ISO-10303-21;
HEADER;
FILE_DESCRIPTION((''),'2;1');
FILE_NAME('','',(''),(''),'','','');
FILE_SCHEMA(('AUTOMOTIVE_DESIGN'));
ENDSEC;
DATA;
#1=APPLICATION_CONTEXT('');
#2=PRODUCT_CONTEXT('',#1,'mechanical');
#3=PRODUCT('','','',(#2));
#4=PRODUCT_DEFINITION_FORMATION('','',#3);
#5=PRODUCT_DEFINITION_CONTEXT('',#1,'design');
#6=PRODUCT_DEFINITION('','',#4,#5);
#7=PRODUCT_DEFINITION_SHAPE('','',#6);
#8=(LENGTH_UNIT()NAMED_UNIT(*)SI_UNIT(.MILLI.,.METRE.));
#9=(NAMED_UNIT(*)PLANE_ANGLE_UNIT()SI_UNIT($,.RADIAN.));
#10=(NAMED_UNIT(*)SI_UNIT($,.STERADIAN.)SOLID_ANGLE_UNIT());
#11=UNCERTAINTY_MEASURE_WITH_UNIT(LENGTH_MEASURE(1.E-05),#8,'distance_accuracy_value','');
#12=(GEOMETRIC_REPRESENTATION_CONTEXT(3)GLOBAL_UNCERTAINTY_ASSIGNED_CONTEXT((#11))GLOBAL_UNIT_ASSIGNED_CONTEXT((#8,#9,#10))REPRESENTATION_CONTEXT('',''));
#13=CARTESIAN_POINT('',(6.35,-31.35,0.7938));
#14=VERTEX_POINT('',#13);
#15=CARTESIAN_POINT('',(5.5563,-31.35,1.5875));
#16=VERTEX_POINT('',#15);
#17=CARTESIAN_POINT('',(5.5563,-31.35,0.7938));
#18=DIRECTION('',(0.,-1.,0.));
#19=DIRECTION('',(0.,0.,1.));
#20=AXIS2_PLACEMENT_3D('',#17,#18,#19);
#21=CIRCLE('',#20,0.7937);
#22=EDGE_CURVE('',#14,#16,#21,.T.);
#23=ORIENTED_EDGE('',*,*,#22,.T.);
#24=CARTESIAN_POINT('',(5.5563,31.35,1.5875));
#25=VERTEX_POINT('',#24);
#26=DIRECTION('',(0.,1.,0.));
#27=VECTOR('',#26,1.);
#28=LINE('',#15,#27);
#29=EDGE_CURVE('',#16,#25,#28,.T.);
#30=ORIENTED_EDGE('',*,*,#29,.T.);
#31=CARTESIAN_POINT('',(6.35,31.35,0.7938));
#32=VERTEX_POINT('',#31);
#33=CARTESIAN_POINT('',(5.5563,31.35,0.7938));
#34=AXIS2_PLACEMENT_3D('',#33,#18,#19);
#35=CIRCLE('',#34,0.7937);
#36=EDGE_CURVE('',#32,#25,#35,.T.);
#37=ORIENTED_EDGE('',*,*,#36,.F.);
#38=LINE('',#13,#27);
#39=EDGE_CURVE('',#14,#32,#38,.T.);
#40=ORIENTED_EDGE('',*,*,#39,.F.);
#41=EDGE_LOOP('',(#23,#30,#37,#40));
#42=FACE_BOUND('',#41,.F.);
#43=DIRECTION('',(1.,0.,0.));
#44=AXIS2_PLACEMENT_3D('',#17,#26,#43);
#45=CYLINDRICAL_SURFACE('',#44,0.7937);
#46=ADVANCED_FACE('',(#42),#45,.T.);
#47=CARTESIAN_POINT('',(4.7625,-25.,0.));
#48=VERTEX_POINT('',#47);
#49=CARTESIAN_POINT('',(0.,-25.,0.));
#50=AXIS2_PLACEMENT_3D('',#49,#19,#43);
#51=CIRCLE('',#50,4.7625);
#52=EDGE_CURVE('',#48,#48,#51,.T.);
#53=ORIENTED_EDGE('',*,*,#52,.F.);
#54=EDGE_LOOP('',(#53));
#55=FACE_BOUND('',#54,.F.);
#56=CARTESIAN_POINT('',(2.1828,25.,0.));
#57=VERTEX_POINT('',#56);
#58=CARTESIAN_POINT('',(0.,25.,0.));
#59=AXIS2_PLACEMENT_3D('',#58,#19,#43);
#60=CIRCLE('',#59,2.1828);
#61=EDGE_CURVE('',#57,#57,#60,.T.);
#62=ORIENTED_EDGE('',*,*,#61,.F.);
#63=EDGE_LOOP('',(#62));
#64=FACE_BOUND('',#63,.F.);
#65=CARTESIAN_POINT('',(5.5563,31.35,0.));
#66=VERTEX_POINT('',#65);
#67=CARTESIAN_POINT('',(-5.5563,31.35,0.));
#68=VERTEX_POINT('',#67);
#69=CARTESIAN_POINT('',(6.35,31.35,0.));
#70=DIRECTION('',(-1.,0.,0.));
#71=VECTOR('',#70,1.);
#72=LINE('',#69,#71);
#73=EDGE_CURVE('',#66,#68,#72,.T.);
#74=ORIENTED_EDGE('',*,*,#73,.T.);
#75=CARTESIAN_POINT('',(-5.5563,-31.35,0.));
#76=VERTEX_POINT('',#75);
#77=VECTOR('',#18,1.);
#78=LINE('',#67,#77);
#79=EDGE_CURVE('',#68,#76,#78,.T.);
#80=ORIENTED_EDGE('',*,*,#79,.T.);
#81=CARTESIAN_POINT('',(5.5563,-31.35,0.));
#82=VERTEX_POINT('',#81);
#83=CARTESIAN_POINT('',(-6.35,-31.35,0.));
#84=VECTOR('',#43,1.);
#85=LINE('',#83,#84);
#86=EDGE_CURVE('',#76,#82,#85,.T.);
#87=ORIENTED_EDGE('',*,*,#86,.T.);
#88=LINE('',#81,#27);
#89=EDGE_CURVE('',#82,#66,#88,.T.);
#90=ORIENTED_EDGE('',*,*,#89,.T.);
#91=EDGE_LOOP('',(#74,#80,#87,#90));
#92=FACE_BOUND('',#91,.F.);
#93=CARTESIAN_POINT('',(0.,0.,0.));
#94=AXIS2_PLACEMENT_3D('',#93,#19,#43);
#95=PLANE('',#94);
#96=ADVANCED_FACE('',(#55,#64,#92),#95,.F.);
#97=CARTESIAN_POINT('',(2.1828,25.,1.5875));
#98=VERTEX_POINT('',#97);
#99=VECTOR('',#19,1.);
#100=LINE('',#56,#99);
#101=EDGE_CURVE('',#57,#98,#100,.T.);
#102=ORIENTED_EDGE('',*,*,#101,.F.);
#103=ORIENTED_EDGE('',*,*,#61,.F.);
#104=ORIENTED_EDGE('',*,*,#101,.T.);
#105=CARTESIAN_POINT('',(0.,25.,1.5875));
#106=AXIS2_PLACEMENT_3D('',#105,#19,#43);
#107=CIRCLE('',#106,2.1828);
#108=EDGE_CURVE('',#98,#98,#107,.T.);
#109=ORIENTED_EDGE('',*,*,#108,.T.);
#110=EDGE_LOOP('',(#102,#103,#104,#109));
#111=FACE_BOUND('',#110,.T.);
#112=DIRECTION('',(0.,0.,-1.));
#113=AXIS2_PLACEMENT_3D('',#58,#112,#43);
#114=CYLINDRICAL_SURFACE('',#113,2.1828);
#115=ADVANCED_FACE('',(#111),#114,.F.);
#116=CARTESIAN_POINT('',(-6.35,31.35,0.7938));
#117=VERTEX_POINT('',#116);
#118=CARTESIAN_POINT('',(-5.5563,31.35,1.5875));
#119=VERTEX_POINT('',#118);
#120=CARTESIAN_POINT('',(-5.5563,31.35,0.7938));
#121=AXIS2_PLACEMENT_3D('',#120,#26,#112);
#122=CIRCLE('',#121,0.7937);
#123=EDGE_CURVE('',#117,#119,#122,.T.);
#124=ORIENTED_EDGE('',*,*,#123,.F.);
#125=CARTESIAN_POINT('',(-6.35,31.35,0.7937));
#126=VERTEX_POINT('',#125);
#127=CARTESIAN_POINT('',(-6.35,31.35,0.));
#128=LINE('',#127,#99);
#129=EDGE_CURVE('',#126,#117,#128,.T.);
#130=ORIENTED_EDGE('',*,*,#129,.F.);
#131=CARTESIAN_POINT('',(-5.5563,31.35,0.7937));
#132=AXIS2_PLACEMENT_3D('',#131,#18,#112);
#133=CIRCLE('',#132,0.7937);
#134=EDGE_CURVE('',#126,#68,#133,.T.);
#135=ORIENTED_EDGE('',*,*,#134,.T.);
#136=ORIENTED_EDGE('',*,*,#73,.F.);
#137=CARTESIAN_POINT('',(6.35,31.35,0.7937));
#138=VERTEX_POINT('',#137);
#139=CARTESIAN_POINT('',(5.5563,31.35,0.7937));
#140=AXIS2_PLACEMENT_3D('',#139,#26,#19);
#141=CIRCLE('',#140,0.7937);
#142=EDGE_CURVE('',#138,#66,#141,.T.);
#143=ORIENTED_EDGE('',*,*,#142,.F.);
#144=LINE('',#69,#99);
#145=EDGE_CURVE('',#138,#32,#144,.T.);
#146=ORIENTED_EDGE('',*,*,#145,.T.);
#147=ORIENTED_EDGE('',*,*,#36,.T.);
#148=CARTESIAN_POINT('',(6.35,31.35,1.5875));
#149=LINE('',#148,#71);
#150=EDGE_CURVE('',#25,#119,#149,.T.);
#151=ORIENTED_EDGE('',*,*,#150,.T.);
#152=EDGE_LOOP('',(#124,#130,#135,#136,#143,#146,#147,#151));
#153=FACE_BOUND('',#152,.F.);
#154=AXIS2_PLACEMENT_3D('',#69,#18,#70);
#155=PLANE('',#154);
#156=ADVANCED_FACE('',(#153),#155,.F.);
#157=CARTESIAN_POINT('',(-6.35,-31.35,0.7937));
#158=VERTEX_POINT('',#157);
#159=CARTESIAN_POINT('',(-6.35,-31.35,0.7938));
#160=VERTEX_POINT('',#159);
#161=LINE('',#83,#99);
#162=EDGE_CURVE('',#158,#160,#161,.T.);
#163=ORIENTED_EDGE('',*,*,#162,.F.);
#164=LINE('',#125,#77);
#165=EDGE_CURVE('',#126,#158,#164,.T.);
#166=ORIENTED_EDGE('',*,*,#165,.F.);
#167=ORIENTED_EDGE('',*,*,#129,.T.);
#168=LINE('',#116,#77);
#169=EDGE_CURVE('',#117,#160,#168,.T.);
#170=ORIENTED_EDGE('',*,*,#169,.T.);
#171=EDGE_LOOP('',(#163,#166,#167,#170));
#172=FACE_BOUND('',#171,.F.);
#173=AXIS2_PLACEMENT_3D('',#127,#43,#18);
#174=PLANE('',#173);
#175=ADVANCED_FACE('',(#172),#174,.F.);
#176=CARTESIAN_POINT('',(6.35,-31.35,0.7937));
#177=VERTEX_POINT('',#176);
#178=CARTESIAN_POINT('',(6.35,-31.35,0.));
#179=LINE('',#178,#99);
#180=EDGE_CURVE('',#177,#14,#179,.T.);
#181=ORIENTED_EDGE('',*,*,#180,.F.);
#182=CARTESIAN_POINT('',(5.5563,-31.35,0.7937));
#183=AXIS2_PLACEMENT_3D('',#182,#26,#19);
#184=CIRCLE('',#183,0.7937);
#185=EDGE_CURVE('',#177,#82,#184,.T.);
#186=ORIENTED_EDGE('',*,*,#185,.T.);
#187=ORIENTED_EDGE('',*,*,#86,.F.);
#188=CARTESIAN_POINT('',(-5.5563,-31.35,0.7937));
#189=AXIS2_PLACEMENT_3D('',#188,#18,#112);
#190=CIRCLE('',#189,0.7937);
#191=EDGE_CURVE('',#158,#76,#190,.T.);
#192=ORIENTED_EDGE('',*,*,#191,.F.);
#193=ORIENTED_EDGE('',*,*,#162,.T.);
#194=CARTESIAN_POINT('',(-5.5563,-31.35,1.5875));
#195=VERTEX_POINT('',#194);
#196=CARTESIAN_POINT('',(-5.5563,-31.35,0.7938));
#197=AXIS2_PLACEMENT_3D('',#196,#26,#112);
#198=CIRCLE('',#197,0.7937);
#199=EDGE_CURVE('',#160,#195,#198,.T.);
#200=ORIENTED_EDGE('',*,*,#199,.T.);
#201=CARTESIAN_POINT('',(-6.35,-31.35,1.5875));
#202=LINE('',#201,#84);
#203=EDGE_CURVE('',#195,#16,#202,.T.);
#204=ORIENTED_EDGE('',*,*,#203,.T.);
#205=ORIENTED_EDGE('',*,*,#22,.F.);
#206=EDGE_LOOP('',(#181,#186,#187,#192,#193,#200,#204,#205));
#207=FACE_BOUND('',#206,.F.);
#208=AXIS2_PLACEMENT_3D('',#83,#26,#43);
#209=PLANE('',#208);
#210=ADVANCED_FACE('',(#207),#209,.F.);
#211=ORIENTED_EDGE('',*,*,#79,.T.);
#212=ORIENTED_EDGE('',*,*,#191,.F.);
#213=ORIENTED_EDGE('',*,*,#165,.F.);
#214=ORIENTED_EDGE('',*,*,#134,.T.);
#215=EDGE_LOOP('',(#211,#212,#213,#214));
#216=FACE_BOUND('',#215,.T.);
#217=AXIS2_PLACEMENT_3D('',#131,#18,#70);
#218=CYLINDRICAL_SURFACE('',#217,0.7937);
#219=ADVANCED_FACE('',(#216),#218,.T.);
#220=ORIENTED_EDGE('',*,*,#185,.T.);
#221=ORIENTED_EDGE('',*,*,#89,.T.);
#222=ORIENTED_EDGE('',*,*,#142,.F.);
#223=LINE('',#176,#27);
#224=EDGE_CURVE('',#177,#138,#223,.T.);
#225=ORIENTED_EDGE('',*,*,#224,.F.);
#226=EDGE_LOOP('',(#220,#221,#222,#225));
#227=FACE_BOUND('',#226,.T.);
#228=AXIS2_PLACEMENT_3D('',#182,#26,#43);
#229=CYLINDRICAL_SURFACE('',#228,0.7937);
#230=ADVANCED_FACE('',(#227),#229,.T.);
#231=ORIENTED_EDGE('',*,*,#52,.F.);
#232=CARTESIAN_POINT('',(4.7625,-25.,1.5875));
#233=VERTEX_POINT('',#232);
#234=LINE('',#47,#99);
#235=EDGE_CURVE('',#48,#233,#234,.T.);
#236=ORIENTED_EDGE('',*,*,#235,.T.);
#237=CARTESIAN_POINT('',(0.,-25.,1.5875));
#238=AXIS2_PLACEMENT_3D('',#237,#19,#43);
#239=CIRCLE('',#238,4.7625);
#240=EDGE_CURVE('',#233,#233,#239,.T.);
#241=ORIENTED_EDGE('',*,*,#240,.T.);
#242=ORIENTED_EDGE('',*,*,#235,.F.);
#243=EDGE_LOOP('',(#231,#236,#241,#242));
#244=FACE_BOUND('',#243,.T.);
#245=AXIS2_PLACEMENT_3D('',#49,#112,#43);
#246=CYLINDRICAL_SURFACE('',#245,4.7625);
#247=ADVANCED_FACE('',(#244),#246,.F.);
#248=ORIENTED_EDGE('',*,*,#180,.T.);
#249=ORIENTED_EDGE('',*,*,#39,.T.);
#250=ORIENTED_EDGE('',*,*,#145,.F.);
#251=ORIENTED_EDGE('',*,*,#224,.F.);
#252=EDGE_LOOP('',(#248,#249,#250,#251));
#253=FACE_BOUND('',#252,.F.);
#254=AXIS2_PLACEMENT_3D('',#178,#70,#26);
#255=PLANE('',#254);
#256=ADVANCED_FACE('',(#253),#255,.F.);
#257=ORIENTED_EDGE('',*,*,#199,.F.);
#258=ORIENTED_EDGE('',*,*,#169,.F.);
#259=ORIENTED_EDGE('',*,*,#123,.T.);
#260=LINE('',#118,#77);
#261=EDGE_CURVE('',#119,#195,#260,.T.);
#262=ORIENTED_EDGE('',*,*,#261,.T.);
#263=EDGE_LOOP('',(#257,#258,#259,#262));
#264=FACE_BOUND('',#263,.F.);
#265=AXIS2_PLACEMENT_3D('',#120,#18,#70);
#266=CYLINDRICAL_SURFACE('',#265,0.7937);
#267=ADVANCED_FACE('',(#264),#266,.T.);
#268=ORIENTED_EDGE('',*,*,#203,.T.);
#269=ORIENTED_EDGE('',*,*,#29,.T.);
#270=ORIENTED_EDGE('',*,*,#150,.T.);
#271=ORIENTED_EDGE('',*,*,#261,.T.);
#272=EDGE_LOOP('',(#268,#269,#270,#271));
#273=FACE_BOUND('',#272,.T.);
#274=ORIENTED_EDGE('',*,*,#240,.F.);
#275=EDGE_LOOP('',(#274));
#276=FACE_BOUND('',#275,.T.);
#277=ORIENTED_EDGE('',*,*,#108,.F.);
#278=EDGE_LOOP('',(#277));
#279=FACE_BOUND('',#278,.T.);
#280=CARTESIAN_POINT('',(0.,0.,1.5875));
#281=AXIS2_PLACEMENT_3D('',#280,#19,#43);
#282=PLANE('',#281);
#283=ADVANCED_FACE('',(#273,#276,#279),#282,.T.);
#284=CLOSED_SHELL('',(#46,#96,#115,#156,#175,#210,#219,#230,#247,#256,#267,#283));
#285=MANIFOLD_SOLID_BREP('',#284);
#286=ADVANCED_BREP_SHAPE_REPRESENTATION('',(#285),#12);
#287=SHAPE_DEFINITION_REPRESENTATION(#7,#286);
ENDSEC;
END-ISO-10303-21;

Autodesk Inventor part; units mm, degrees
ref_plane "YZ Plane" through (0, 0, 0) normal (1, 0, 0) x (0, 1, 0)
ref_plane "XZ Plane" through (0, 0, 0) normal (0, 1, 0) x (-1, 0, 0)
ref_plane "XY Plane" through (0, 0, 0) normal (0, 0, 1) x (1, 0, 0)
sketch "Sketch1" plane through (0, 0, 0) normal (0, 0, 1) x (1, 0, 0)
  circle A0 centre (0, 25) radius 2.1828
  circle A1 centre (0, -25) radius 4.7625
  line L0 (-6.35, -31.35) -> (6.35, -31.35)
  line L1 (6.35, -31.35) -> (6.35, 31.35)
  line L2 (6.35, 31.35) -> (-6.35, 31.35)
  line L3 (-6.35, 31.35) -> (-6.35, -31.35)
  line L4 (-6.35, -31.35) -> (6.35, 31.35) construction
  line L5 (6.35, -31.35) -> (-6.35, 31.35) construction
  point P0 (0, 0)
  dimension "d0" = 4.3656
  dimension "d1" = 9.525
  dimension "d2" = 25
  dimension "d3" = 50
  dimension "d4" = 12.7
  dimension "d5" = 6.35
extrude "Extrusion1" add sketch "Sketch1" along normal blind 1.5875
fillet "Fillet1" radius 0.7937 4 edges at (-6.35, 0, 0) (-6.35, 0, 1.5875) (6.35, 0, 0) (6.35, 0, 1.5875)
properties part number "Part J"
